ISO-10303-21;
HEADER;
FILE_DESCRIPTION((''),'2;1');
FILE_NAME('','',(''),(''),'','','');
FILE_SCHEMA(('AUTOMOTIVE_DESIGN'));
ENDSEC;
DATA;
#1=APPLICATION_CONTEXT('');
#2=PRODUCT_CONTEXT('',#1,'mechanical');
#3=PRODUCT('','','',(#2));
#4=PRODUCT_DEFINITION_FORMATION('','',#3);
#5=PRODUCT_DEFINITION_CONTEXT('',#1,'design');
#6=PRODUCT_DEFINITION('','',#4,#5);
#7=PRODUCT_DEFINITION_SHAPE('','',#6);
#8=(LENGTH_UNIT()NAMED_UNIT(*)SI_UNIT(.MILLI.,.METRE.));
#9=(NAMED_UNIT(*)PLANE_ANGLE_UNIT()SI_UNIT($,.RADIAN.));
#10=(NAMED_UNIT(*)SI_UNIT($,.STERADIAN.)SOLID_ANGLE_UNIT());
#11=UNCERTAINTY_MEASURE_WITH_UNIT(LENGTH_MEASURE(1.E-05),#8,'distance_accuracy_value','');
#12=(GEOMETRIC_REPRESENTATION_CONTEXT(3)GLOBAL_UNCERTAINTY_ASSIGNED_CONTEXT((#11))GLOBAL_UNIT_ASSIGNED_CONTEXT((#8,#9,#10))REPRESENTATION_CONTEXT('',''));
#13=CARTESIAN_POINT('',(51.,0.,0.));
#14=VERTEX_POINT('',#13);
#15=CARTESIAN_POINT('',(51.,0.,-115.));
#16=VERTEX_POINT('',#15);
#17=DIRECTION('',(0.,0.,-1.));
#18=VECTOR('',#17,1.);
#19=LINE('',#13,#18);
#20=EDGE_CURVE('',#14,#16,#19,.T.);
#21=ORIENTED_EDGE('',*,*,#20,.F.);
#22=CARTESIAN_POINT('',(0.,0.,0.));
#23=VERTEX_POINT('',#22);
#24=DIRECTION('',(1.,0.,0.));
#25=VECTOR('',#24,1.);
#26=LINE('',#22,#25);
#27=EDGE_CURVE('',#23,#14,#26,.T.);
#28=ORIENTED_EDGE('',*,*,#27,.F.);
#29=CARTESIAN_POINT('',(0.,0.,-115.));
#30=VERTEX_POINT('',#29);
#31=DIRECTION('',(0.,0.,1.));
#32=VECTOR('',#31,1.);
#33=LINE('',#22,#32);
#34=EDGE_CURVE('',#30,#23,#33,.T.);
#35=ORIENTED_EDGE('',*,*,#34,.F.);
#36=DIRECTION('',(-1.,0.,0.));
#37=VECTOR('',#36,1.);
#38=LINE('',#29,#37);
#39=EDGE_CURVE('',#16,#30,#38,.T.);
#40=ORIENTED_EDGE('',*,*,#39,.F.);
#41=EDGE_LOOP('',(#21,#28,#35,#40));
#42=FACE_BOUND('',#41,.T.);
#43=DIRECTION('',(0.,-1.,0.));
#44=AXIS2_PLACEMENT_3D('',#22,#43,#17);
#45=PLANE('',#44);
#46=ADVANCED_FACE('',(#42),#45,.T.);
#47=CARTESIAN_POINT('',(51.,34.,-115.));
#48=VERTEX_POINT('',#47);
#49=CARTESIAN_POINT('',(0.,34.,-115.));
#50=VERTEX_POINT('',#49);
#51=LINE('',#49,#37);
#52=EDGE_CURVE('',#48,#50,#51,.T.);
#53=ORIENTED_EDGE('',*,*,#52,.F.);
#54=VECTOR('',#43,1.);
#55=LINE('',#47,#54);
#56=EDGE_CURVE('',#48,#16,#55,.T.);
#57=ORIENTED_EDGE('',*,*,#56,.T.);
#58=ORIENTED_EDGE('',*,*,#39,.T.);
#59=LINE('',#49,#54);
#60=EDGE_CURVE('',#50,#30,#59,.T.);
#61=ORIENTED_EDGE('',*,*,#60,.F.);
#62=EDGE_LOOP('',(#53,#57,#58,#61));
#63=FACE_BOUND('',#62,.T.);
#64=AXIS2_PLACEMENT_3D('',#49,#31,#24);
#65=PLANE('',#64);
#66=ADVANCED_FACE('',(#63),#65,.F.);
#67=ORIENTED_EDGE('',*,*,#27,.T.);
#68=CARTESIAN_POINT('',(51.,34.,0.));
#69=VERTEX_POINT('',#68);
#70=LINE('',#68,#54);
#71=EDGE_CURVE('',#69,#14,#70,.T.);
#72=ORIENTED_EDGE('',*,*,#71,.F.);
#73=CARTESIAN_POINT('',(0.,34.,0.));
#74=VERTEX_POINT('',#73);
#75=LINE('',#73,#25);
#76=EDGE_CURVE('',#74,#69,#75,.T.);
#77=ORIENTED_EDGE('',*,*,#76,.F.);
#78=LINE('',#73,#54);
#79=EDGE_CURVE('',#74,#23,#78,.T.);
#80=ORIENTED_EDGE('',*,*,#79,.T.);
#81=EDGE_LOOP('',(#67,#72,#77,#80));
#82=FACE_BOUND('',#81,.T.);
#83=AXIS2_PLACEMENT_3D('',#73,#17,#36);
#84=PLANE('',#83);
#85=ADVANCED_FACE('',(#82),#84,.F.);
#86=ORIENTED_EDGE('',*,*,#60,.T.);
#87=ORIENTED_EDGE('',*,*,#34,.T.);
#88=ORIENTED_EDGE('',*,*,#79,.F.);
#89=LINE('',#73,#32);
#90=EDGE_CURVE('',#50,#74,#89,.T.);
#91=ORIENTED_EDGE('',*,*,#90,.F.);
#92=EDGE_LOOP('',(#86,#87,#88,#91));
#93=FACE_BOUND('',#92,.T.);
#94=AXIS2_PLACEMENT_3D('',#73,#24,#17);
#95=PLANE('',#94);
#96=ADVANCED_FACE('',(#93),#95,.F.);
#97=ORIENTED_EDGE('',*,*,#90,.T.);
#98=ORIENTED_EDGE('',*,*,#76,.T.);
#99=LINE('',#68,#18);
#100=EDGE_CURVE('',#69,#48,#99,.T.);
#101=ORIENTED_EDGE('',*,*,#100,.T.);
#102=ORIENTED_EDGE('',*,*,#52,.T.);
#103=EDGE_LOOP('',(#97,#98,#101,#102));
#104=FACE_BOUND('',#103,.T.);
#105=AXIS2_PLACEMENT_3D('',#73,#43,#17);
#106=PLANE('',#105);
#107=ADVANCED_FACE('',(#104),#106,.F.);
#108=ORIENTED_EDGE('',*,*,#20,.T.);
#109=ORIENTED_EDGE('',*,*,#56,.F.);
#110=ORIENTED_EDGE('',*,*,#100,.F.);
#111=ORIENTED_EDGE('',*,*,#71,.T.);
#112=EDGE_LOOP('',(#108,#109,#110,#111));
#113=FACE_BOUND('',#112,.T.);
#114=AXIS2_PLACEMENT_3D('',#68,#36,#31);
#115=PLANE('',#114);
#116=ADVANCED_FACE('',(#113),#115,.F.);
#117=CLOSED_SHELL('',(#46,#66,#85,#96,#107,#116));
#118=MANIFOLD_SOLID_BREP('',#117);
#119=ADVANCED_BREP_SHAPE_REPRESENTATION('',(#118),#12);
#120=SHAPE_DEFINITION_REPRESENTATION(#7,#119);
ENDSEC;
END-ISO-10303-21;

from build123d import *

# Parameters (mm, degrees)
SKETCH_1_W      = 51
SKETCH_1_H      = 115
EXTRUDE_1_DEPTH = 34


with BuildPart() as part:
    # 草图1 → 凸台-拉伸1 (new body)
    with BuildSketch(Plane(origin=(0, 0, 0), x_dir=(1, 0, 0), z_dir=(0, 1, 0))):
        with Locations((25.5, 57.5)):
            Rectangle(SKETCH_1_W, SKETCH_1_H)
    extrude(amount=EXTRUDE_1_DEPTH)


solid = part.part
